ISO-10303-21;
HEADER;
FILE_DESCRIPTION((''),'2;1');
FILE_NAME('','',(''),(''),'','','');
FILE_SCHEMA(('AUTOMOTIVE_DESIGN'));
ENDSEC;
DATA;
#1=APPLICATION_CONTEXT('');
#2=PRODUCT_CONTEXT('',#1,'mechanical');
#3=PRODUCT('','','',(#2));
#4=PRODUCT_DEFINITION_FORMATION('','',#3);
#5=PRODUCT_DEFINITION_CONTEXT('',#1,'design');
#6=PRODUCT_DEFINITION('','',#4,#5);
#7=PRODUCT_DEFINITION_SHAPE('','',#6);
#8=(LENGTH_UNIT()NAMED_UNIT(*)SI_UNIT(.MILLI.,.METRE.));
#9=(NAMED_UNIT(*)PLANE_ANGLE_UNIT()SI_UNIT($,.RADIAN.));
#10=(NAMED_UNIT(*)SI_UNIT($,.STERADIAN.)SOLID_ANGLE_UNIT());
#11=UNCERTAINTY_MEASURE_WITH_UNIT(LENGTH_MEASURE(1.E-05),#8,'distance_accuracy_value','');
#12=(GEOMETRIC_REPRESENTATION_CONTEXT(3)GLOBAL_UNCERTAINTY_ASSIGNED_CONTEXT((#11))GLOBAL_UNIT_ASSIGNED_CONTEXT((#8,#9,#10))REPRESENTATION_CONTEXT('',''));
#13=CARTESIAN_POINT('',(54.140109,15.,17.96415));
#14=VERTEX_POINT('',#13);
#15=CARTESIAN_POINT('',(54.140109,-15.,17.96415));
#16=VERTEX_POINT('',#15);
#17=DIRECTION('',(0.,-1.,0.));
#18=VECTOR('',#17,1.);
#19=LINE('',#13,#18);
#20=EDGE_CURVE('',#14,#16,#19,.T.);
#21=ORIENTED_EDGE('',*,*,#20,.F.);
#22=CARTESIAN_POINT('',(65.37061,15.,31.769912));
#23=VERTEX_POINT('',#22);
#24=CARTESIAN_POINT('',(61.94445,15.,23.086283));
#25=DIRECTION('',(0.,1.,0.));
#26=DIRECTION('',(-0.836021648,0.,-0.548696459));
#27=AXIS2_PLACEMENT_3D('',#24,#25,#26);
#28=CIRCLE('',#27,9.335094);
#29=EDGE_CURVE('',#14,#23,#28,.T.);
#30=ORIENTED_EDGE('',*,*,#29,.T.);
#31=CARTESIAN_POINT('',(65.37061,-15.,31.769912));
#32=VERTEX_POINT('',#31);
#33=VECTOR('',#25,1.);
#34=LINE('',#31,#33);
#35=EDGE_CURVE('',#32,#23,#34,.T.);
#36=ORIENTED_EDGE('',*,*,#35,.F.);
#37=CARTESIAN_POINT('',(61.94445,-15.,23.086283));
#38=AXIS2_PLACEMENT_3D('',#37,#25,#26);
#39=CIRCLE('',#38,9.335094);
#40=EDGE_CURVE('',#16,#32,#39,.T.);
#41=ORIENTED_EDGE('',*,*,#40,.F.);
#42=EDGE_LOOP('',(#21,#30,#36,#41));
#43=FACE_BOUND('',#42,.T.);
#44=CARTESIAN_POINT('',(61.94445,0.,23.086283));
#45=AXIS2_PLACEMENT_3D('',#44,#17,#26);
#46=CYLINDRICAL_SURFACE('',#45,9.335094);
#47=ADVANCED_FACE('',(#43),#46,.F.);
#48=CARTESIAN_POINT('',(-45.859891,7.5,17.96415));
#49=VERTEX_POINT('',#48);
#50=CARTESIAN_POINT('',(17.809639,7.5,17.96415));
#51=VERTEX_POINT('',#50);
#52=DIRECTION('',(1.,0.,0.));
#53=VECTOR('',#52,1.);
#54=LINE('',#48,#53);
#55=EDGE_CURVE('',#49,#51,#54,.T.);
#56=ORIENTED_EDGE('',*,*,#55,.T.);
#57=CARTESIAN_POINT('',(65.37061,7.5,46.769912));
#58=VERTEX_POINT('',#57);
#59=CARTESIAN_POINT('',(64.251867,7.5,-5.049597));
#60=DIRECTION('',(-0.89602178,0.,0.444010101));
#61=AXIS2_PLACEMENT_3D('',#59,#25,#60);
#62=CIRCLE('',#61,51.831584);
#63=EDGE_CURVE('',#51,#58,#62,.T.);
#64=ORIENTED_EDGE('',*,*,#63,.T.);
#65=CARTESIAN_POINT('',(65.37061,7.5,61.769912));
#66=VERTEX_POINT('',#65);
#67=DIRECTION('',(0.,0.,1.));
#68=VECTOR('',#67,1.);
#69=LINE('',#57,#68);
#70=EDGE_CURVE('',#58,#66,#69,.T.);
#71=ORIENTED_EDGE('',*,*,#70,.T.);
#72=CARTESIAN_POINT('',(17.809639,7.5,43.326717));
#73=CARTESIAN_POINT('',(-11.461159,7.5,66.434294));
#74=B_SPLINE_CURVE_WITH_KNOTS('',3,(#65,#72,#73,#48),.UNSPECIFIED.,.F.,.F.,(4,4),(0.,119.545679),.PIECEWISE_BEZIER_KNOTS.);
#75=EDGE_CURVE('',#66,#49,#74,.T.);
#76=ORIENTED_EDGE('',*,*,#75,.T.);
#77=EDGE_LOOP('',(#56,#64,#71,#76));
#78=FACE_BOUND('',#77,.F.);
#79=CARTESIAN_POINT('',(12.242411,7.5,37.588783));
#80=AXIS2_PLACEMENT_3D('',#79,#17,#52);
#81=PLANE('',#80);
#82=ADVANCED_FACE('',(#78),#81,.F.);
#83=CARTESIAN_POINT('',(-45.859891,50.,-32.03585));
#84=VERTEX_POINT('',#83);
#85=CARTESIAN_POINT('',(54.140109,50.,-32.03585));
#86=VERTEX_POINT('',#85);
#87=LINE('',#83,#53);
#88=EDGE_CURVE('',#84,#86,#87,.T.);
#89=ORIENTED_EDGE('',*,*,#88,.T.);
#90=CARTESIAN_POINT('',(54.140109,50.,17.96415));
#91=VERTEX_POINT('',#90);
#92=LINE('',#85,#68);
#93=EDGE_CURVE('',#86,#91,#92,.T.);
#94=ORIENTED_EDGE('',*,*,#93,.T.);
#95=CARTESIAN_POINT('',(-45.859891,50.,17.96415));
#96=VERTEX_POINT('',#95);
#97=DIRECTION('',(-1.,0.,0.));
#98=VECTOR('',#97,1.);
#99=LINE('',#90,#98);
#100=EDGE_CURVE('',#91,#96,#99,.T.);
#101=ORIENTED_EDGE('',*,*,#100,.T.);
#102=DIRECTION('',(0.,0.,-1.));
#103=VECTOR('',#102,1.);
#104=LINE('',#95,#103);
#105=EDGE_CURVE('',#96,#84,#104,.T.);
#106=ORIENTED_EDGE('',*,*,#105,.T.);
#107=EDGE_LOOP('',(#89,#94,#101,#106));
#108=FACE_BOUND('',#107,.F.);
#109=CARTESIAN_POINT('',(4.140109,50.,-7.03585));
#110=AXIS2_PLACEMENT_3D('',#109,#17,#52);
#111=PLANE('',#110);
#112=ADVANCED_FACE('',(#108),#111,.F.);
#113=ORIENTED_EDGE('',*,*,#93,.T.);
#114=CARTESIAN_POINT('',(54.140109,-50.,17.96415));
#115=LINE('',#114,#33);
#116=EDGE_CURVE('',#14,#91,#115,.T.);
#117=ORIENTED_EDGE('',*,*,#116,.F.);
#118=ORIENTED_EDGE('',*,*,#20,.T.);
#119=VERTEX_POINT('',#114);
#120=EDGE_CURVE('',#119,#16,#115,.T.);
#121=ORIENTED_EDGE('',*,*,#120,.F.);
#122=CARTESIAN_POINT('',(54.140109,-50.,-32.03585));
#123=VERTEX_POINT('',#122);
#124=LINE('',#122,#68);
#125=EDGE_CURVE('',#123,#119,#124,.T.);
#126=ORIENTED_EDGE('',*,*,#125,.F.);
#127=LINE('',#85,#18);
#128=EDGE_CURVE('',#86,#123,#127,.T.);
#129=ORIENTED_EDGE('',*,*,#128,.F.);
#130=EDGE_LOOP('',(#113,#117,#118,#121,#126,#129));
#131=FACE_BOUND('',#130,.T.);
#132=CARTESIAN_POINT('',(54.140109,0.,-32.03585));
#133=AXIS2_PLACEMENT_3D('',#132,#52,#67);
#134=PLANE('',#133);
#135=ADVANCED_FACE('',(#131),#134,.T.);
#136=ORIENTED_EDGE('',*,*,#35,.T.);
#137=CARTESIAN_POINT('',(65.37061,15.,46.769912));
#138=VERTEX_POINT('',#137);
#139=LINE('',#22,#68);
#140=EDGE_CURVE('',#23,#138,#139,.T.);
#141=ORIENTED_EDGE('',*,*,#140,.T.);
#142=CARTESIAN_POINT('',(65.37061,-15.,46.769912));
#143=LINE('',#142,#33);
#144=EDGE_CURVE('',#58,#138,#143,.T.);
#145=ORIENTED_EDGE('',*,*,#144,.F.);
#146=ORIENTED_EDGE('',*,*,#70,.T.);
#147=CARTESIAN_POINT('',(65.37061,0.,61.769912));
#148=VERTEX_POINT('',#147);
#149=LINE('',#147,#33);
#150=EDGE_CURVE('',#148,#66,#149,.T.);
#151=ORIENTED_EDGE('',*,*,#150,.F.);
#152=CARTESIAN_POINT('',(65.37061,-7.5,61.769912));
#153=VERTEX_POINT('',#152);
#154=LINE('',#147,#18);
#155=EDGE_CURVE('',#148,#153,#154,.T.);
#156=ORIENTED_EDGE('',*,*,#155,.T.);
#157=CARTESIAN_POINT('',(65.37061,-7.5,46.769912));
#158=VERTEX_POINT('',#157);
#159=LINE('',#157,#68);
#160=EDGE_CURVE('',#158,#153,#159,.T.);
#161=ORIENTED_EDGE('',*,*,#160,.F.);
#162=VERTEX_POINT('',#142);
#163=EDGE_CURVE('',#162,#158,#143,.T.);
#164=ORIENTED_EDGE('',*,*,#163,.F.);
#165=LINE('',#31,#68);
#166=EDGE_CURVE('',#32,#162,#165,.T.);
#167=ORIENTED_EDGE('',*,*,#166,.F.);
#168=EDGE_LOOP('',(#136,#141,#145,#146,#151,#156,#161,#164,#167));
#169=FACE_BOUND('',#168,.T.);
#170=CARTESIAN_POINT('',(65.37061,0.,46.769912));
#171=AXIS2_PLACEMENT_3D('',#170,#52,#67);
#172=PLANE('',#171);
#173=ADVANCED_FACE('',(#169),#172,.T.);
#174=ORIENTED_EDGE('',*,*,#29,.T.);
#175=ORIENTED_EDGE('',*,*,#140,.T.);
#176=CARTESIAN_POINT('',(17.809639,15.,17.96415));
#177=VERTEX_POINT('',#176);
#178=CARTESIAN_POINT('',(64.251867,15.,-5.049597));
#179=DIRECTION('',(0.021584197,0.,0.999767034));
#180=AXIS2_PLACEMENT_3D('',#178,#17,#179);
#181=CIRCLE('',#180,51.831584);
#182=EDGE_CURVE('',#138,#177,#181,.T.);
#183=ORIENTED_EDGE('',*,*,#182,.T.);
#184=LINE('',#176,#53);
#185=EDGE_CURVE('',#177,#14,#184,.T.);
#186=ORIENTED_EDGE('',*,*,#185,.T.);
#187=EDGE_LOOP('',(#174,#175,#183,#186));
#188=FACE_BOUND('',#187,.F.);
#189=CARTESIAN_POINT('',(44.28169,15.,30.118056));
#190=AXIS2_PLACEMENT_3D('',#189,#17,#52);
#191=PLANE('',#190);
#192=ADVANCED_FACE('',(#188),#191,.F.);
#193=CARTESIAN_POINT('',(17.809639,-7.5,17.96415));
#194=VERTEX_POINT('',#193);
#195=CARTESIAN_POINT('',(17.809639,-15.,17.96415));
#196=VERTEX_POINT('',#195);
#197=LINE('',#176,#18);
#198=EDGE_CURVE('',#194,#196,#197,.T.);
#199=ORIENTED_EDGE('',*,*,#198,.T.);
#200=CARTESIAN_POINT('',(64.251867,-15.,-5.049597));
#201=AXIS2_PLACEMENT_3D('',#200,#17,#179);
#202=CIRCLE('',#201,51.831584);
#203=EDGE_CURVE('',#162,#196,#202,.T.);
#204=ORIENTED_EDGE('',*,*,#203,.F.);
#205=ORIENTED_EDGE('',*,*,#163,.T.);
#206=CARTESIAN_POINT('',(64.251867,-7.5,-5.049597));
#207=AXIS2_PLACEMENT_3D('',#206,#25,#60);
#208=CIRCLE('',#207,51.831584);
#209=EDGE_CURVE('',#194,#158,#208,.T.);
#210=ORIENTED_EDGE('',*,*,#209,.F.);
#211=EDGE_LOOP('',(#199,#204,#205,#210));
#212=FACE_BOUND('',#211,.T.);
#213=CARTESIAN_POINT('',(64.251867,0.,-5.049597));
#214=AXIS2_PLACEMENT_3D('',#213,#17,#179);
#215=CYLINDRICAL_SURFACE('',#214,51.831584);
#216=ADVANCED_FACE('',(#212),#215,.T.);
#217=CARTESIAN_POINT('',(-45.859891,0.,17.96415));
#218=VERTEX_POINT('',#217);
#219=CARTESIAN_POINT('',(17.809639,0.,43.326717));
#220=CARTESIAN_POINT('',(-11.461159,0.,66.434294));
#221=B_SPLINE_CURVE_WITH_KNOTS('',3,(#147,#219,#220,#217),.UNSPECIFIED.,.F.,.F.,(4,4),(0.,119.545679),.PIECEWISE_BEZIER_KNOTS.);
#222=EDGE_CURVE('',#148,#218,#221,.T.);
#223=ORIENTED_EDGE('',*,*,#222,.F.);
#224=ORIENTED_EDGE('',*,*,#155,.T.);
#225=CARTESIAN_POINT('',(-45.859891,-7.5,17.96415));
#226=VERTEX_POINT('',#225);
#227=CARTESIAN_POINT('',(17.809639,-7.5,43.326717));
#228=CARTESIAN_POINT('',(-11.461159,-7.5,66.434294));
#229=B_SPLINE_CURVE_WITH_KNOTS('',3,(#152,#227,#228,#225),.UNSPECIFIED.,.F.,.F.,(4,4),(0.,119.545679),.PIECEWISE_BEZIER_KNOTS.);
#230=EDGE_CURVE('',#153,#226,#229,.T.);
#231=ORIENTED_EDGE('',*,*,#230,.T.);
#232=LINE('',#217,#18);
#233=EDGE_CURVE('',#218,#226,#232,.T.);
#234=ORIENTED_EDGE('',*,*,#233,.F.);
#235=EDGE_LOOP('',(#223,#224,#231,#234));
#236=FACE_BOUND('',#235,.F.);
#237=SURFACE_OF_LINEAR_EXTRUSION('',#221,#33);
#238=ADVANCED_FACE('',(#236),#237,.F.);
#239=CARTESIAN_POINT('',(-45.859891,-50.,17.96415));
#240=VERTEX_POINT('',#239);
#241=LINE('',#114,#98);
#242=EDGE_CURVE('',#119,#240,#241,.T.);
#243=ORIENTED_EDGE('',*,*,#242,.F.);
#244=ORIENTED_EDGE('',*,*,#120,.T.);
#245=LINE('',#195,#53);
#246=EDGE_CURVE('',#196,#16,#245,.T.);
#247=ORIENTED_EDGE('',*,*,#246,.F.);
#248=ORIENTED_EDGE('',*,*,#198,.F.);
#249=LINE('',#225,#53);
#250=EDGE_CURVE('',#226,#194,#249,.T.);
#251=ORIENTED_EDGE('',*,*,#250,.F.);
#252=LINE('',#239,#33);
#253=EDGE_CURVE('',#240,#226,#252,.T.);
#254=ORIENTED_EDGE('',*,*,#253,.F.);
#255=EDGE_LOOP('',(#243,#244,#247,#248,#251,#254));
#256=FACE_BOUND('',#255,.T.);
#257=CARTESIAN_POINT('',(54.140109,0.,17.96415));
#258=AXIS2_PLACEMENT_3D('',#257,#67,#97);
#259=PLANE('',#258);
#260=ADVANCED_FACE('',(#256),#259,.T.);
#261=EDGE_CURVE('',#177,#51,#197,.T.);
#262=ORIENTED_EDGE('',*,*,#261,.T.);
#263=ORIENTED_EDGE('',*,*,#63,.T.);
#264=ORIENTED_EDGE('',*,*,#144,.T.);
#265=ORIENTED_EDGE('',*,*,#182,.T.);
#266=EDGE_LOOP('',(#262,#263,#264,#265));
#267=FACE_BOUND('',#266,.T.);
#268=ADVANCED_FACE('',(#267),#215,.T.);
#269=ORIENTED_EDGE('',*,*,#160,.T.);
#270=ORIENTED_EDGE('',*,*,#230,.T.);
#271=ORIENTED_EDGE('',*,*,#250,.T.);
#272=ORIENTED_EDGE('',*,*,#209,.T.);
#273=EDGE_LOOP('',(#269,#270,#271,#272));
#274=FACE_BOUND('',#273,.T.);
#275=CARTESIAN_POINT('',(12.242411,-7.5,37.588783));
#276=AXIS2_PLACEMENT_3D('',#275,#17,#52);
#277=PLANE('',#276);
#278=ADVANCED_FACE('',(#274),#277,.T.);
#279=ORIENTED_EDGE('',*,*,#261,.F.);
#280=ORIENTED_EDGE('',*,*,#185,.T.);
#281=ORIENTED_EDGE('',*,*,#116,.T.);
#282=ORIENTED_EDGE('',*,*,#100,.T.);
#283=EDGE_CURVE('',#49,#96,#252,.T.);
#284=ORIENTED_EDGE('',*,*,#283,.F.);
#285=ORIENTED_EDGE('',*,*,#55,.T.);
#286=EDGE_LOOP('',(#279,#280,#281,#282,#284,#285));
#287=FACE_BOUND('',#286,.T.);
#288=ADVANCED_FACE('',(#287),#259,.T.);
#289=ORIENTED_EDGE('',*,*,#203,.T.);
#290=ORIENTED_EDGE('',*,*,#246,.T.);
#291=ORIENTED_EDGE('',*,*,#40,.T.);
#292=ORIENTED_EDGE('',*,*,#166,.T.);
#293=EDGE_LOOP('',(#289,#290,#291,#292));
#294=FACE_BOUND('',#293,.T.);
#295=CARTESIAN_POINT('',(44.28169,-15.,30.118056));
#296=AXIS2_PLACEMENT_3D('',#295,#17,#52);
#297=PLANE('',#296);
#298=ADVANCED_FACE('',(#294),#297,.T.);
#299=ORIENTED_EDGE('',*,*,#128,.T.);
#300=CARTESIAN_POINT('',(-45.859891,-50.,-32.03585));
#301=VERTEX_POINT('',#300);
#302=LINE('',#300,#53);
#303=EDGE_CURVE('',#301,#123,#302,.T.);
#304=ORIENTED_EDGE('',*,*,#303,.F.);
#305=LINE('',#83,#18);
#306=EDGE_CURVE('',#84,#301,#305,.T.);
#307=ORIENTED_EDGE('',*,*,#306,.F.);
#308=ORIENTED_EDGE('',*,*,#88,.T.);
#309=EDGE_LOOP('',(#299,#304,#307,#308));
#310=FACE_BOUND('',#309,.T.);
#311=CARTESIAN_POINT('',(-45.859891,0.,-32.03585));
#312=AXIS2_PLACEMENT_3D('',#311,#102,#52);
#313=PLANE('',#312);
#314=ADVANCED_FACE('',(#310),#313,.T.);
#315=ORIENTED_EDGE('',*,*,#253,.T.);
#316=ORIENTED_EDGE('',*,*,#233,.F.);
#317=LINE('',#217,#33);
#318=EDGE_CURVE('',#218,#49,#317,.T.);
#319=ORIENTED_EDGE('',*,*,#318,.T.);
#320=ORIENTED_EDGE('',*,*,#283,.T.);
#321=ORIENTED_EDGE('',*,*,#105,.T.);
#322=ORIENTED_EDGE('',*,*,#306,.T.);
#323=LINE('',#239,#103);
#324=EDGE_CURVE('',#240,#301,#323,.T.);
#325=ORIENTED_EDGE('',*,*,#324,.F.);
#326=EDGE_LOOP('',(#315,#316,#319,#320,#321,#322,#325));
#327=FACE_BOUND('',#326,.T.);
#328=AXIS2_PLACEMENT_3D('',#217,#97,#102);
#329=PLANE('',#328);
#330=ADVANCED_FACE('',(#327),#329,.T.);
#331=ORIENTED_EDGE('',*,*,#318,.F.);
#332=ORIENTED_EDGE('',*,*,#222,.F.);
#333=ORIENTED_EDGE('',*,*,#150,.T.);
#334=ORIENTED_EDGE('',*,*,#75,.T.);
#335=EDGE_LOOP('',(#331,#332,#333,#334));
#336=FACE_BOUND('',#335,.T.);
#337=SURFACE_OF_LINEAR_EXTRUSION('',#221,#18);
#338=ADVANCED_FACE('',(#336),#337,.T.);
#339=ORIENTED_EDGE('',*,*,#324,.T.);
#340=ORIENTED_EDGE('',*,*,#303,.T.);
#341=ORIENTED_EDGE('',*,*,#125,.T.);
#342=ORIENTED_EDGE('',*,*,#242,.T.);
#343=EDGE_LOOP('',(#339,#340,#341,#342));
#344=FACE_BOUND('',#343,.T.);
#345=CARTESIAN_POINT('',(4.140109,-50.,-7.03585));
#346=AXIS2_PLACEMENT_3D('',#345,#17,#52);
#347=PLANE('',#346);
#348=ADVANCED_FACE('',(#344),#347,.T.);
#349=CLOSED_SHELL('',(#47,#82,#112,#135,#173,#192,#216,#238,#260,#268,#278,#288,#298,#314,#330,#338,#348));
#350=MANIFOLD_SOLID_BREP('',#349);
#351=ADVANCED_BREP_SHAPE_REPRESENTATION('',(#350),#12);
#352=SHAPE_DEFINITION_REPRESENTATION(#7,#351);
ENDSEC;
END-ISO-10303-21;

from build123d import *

# Parameters (mm, degrees)
F1_DEPTH = 50
F2_DEPTH = 15
F3_DEPTH = 7.5


with BuildPart() as f1:
    # F0 (on Front) → F1 (new body, symmetric)
    with BuildSketch(Plane.XZ):
        Polygon((17.809639, 17.96415), (-45.859891, 17.96415), (-45.859891, -32.03585), (54.140109, -32.03585), (54.140109, 17.96415), align=None)
    extrude(amount=F1_DEPTH, both=True)

    # F0 (on Front) → F2 (join, symmetric)
    with BuildSketch(Plane.XZ):
        with BuildLine():
            ThreePointArc((65.37061, 46.769912), (37.400469, 39.284538), (17.809639, 17.96415))
            Line((17.809639, 17.96415), (54.140109, 17.96415))
            ThreePointArc((54.140109, 17.96415), (54.702773, 28.977132), (65.37061, 31.769912))
            Line((65.37061, 31.769912), (65.37061, 46.769912))
        make_face()
    extrude(amount=F2_DEPTH, both=True)

    # F0 (on Front) → F3 (join, symmetric)
    with BuildSketch(Plane.XZ):
        with BuildLine():
            add(Edge.make_bspline(
                [(65.37061, 61.769912), (17.809639, 43.326717), (-11.461159, 66.434294), (-45.859891, 17.96415)],
                knots=[0, 0, 0, 0, 119.545679, 119.545679, 119.545679, 119.545679], degree=3))
            Line((-45.859891, 17.96415), (17.809639, 17.96415))
            ThreePointArc((17.809639, 17.96415), (37.400469, 39.284538), (65.37061, 46.769912))
            Line((65.37061, 46.769912), (65.37061, 61.769912))
        make_face()
    extrude(amount=F3_DEPTH, both=True)


solid = f1.part
